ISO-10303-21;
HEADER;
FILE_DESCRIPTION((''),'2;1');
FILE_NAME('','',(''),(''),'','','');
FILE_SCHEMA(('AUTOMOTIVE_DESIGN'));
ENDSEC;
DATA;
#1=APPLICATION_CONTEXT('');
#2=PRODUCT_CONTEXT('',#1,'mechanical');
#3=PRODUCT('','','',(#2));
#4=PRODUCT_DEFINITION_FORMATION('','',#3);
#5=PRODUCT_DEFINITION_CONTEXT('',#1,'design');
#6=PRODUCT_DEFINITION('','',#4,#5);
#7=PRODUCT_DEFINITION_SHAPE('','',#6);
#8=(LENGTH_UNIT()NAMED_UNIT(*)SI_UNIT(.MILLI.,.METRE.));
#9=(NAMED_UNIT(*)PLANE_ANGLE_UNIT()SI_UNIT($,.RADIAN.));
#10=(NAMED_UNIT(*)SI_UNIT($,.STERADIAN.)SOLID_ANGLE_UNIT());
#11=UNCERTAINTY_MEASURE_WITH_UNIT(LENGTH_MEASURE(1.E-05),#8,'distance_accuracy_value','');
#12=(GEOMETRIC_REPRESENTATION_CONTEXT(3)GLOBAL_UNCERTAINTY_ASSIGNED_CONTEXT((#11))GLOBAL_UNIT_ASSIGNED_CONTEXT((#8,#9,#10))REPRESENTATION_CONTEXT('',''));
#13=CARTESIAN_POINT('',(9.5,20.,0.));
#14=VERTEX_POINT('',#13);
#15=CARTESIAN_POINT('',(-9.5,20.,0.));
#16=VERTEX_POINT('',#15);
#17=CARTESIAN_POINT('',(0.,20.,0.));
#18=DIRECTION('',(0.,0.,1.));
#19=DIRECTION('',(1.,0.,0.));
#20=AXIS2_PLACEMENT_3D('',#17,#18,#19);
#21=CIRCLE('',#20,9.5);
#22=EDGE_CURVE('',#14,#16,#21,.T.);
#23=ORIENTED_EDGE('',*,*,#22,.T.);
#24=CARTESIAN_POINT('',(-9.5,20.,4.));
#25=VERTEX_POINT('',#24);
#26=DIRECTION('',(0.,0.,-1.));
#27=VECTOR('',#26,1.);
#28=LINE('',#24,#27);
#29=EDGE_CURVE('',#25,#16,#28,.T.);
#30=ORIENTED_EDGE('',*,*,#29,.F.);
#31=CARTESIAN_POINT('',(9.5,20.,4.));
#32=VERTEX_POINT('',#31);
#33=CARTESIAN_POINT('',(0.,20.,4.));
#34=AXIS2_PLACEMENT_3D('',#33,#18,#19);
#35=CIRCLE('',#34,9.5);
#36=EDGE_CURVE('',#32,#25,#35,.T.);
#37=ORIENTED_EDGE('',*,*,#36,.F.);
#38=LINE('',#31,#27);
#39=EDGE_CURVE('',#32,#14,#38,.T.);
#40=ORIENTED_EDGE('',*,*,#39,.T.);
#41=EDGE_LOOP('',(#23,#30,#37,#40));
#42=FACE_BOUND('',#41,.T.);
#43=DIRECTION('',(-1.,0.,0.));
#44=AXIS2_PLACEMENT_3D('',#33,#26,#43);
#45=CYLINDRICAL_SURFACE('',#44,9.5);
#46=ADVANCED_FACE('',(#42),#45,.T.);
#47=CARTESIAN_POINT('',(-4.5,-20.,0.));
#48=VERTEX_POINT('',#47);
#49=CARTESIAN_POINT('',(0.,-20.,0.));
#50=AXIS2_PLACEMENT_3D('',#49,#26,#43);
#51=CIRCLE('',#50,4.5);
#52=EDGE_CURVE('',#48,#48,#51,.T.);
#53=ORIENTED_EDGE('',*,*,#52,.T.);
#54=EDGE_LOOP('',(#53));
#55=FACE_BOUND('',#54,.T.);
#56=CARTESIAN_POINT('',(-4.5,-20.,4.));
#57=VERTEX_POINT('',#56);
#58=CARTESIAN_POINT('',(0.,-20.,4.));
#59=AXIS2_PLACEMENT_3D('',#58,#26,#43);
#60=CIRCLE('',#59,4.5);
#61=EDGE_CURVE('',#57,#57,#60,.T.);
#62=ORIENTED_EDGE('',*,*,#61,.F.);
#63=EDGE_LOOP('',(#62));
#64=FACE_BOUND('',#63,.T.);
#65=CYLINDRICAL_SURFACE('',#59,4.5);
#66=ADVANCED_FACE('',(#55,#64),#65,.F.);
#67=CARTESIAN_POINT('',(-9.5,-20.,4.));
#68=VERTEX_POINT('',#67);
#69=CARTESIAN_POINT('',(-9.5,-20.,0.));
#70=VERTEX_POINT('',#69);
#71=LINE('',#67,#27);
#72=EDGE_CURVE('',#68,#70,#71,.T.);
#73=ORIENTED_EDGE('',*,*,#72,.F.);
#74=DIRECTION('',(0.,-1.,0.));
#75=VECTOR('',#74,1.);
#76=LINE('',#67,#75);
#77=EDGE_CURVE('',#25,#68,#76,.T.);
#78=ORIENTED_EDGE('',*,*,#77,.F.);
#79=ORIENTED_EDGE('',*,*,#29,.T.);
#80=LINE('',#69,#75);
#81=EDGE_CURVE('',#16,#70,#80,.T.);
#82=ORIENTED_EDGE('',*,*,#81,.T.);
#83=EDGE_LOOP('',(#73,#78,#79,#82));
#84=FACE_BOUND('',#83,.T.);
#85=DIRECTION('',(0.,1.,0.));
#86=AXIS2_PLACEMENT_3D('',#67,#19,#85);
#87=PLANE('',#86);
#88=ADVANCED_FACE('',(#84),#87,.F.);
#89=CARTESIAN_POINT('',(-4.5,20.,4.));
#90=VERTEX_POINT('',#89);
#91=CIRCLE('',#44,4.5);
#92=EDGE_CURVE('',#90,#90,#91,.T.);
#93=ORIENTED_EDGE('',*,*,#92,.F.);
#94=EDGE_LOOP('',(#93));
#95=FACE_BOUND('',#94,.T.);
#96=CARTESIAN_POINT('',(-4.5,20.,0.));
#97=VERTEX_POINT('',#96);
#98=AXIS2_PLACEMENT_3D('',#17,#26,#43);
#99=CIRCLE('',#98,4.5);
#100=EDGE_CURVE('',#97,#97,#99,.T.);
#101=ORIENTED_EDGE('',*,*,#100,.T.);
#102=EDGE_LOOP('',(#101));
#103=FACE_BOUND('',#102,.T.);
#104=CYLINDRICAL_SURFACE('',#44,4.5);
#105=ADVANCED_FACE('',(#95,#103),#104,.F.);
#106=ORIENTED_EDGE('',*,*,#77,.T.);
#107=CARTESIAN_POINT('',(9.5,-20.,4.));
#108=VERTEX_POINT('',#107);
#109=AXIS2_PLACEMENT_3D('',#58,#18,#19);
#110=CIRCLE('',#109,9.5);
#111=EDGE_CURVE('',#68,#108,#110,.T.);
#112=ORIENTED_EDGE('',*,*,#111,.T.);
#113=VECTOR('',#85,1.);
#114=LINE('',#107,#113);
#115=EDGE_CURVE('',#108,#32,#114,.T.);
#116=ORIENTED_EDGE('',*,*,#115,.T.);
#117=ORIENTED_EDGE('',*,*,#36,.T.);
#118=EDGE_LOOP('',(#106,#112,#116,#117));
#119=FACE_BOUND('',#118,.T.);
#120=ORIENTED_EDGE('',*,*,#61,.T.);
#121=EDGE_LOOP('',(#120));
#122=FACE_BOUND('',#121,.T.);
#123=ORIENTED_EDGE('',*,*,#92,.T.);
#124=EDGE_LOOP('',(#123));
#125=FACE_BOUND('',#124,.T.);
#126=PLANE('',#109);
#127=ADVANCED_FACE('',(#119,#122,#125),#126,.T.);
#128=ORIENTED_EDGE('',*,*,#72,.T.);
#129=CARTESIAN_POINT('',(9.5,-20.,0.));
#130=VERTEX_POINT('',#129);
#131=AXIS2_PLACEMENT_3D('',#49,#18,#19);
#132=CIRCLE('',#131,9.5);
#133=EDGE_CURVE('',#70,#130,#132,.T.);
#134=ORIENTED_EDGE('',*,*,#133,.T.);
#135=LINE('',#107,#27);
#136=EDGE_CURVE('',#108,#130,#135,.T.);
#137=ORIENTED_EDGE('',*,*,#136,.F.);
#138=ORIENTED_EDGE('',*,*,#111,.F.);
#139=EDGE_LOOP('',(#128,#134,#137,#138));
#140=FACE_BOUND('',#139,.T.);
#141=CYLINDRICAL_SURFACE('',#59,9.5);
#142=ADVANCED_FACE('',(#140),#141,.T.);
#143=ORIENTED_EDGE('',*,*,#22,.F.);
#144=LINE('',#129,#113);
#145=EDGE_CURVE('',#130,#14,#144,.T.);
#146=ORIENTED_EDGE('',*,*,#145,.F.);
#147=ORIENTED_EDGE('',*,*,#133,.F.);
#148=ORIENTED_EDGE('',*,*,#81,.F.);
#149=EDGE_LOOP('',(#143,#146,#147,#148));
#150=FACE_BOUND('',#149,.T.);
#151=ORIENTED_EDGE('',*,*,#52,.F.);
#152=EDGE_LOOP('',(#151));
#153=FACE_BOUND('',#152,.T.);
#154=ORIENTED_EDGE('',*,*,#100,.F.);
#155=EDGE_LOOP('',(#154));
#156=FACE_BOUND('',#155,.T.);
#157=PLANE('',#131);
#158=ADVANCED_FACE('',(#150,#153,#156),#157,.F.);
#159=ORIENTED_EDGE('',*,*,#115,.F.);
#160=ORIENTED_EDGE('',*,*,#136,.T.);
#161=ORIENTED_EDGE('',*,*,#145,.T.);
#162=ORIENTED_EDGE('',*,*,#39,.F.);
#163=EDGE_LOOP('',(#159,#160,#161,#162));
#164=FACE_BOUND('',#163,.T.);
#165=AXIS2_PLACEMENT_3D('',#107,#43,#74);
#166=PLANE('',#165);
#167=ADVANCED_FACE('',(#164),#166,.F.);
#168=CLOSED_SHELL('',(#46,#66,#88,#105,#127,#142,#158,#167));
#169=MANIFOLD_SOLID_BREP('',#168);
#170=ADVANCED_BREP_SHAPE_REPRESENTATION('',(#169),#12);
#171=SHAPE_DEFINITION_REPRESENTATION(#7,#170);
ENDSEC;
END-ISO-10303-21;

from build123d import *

# Parameters (mm, degrees)
BOSS_EXTRUDE1_DEPTH = 4
SKETCH2_R           = 4.5
CUT_EXTRUDE1_DEPTH  = 4


with BuildPart() as part:
    # Sketch1 → Boss-Extrude1 (new body)
    with BuildSketch(Plane.XY):
        with BuildLine():
            Line((-9.5, -20), (-9.5, 20))
            ThreePointArc((-9.5, 20), (0, 29.5), (9.5, 20))
            Line((9.5, 20), (9.5, -20))
            ThreePointArc((9.5, -20), (0, -29.5), (-9.5, -20))
        make_face()
    extrude(amount=BOSS_EXTRUDE1_DEPTH)

    # Sketch2 → Cut-Extrude1 (cut)
    with BuildSketch(Plane(origin=(0, 0, 0), x_dir=(-1, 0, 0), z_dir=(0, 0, -1))):
        with Locations((0, 20)):
            Circle(SKETCH2_R)
        with Locations((0, -20)):
            Circle(SKETCH2_R)
    extrude(amount=-CUT_EXTRUDE1_DEPTH, mode=Mode.SUBTRACT)


solid = part.part
